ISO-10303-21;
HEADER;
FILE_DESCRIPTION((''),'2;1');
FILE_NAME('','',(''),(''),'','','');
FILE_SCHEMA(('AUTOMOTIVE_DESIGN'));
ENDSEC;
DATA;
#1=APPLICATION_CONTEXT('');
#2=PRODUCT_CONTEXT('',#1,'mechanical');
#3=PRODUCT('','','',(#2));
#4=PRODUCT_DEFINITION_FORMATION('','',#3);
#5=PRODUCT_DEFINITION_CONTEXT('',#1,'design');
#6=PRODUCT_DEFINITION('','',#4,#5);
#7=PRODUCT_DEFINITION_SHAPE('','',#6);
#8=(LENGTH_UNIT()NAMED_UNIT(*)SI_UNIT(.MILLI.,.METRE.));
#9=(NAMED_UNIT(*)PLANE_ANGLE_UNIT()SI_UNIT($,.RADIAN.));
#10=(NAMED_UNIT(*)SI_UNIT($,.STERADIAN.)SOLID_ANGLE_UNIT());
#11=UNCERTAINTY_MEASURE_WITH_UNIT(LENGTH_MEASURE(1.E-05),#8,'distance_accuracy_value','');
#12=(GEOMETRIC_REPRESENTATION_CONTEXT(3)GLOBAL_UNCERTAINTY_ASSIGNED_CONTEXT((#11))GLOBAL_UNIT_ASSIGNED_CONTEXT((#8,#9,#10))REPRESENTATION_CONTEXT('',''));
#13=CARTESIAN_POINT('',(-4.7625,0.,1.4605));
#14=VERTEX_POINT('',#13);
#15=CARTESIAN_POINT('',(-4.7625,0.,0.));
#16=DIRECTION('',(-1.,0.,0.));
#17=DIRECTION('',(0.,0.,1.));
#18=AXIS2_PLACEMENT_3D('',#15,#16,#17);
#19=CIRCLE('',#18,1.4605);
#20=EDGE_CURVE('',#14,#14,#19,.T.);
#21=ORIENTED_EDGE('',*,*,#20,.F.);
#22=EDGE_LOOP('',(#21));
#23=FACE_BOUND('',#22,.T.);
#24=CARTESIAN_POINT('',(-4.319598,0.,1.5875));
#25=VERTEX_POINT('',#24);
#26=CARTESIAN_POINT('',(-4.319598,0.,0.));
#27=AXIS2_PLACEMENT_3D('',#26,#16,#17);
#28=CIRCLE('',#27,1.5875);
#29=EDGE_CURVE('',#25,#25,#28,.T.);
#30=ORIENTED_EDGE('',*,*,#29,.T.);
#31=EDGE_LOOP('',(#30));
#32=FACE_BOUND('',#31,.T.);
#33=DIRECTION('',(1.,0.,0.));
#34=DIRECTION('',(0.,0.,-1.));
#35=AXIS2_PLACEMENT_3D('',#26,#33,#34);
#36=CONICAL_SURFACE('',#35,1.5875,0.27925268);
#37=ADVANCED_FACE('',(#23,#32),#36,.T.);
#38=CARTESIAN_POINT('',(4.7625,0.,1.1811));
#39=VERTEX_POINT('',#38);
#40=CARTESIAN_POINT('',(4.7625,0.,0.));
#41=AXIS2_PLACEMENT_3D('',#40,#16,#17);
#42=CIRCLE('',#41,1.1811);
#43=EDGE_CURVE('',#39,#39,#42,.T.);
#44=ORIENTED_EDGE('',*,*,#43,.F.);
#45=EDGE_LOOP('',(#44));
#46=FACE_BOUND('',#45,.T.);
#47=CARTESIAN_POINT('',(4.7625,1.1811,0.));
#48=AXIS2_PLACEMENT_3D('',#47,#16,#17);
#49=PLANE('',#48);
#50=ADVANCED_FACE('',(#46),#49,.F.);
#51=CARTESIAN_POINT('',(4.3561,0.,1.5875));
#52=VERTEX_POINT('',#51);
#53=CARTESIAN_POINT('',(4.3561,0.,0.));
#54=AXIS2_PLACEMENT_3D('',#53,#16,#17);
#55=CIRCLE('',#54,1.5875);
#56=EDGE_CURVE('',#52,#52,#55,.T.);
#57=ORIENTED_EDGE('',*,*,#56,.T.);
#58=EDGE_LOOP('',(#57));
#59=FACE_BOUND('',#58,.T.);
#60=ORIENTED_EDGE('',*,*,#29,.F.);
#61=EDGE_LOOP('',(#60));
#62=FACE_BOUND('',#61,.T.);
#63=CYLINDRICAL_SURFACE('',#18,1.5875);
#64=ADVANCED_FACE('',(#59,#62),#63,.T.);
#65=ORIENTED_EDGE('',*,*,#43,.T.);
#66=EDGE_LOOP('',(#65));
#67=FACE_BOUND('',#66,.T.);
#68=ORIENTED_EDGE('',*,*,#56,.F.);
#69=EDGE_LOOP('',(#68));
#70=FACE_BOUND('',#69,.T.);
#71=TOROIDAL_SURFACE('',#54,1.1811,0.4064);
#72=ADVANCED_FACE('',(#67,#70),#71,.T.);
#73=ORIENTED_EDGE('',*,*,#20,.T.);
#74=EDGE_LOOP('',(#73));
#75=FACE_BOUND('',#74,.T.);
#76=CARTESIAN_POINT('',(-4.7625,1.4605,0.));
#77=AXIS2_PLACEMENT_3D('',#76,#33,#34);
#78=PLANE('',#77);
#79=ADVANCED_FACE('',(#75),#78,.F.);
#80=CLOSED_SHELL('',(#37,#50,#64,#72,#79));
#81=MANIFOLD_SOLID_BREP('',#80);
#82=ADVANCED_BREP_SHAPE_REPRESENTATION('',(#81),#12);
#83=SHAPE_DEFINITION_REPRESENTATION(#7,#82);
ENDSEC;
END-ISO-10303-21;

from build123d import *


with BuildPart() as part:
    # Sketch3 → Revolve1 (revolve)
    with BuildSketch(Plane.XY, mode=Mode.PRIVATE) as revolve1_sk:
        with BuildLine():
            Line((4.7625, 1.1811), (4.7625, 0))
            Line((4.7625, 0), (-4.7625, 0))
            Line((-4.7625, 0), (-4.7625, 1.4605))
            Line((-4.7625, 1.4605), (-4.319598366, 1.5875))
            Line((-4.319598366, 1.5875), (4.3561, 1.5875))
            ThreePointArc((4.3561, 1.5875), (4.643468196, 1.468468196), (4.7625, 1.1811))
        make_face()
    revolve(revolve1_sk.sketch.rotate(Axis((-4.7625, 0, 0), (1, 0, 0)), 90), axis=Axis((-4.7625, 0, 0), (1, 0, 0)))


solid = part.part
